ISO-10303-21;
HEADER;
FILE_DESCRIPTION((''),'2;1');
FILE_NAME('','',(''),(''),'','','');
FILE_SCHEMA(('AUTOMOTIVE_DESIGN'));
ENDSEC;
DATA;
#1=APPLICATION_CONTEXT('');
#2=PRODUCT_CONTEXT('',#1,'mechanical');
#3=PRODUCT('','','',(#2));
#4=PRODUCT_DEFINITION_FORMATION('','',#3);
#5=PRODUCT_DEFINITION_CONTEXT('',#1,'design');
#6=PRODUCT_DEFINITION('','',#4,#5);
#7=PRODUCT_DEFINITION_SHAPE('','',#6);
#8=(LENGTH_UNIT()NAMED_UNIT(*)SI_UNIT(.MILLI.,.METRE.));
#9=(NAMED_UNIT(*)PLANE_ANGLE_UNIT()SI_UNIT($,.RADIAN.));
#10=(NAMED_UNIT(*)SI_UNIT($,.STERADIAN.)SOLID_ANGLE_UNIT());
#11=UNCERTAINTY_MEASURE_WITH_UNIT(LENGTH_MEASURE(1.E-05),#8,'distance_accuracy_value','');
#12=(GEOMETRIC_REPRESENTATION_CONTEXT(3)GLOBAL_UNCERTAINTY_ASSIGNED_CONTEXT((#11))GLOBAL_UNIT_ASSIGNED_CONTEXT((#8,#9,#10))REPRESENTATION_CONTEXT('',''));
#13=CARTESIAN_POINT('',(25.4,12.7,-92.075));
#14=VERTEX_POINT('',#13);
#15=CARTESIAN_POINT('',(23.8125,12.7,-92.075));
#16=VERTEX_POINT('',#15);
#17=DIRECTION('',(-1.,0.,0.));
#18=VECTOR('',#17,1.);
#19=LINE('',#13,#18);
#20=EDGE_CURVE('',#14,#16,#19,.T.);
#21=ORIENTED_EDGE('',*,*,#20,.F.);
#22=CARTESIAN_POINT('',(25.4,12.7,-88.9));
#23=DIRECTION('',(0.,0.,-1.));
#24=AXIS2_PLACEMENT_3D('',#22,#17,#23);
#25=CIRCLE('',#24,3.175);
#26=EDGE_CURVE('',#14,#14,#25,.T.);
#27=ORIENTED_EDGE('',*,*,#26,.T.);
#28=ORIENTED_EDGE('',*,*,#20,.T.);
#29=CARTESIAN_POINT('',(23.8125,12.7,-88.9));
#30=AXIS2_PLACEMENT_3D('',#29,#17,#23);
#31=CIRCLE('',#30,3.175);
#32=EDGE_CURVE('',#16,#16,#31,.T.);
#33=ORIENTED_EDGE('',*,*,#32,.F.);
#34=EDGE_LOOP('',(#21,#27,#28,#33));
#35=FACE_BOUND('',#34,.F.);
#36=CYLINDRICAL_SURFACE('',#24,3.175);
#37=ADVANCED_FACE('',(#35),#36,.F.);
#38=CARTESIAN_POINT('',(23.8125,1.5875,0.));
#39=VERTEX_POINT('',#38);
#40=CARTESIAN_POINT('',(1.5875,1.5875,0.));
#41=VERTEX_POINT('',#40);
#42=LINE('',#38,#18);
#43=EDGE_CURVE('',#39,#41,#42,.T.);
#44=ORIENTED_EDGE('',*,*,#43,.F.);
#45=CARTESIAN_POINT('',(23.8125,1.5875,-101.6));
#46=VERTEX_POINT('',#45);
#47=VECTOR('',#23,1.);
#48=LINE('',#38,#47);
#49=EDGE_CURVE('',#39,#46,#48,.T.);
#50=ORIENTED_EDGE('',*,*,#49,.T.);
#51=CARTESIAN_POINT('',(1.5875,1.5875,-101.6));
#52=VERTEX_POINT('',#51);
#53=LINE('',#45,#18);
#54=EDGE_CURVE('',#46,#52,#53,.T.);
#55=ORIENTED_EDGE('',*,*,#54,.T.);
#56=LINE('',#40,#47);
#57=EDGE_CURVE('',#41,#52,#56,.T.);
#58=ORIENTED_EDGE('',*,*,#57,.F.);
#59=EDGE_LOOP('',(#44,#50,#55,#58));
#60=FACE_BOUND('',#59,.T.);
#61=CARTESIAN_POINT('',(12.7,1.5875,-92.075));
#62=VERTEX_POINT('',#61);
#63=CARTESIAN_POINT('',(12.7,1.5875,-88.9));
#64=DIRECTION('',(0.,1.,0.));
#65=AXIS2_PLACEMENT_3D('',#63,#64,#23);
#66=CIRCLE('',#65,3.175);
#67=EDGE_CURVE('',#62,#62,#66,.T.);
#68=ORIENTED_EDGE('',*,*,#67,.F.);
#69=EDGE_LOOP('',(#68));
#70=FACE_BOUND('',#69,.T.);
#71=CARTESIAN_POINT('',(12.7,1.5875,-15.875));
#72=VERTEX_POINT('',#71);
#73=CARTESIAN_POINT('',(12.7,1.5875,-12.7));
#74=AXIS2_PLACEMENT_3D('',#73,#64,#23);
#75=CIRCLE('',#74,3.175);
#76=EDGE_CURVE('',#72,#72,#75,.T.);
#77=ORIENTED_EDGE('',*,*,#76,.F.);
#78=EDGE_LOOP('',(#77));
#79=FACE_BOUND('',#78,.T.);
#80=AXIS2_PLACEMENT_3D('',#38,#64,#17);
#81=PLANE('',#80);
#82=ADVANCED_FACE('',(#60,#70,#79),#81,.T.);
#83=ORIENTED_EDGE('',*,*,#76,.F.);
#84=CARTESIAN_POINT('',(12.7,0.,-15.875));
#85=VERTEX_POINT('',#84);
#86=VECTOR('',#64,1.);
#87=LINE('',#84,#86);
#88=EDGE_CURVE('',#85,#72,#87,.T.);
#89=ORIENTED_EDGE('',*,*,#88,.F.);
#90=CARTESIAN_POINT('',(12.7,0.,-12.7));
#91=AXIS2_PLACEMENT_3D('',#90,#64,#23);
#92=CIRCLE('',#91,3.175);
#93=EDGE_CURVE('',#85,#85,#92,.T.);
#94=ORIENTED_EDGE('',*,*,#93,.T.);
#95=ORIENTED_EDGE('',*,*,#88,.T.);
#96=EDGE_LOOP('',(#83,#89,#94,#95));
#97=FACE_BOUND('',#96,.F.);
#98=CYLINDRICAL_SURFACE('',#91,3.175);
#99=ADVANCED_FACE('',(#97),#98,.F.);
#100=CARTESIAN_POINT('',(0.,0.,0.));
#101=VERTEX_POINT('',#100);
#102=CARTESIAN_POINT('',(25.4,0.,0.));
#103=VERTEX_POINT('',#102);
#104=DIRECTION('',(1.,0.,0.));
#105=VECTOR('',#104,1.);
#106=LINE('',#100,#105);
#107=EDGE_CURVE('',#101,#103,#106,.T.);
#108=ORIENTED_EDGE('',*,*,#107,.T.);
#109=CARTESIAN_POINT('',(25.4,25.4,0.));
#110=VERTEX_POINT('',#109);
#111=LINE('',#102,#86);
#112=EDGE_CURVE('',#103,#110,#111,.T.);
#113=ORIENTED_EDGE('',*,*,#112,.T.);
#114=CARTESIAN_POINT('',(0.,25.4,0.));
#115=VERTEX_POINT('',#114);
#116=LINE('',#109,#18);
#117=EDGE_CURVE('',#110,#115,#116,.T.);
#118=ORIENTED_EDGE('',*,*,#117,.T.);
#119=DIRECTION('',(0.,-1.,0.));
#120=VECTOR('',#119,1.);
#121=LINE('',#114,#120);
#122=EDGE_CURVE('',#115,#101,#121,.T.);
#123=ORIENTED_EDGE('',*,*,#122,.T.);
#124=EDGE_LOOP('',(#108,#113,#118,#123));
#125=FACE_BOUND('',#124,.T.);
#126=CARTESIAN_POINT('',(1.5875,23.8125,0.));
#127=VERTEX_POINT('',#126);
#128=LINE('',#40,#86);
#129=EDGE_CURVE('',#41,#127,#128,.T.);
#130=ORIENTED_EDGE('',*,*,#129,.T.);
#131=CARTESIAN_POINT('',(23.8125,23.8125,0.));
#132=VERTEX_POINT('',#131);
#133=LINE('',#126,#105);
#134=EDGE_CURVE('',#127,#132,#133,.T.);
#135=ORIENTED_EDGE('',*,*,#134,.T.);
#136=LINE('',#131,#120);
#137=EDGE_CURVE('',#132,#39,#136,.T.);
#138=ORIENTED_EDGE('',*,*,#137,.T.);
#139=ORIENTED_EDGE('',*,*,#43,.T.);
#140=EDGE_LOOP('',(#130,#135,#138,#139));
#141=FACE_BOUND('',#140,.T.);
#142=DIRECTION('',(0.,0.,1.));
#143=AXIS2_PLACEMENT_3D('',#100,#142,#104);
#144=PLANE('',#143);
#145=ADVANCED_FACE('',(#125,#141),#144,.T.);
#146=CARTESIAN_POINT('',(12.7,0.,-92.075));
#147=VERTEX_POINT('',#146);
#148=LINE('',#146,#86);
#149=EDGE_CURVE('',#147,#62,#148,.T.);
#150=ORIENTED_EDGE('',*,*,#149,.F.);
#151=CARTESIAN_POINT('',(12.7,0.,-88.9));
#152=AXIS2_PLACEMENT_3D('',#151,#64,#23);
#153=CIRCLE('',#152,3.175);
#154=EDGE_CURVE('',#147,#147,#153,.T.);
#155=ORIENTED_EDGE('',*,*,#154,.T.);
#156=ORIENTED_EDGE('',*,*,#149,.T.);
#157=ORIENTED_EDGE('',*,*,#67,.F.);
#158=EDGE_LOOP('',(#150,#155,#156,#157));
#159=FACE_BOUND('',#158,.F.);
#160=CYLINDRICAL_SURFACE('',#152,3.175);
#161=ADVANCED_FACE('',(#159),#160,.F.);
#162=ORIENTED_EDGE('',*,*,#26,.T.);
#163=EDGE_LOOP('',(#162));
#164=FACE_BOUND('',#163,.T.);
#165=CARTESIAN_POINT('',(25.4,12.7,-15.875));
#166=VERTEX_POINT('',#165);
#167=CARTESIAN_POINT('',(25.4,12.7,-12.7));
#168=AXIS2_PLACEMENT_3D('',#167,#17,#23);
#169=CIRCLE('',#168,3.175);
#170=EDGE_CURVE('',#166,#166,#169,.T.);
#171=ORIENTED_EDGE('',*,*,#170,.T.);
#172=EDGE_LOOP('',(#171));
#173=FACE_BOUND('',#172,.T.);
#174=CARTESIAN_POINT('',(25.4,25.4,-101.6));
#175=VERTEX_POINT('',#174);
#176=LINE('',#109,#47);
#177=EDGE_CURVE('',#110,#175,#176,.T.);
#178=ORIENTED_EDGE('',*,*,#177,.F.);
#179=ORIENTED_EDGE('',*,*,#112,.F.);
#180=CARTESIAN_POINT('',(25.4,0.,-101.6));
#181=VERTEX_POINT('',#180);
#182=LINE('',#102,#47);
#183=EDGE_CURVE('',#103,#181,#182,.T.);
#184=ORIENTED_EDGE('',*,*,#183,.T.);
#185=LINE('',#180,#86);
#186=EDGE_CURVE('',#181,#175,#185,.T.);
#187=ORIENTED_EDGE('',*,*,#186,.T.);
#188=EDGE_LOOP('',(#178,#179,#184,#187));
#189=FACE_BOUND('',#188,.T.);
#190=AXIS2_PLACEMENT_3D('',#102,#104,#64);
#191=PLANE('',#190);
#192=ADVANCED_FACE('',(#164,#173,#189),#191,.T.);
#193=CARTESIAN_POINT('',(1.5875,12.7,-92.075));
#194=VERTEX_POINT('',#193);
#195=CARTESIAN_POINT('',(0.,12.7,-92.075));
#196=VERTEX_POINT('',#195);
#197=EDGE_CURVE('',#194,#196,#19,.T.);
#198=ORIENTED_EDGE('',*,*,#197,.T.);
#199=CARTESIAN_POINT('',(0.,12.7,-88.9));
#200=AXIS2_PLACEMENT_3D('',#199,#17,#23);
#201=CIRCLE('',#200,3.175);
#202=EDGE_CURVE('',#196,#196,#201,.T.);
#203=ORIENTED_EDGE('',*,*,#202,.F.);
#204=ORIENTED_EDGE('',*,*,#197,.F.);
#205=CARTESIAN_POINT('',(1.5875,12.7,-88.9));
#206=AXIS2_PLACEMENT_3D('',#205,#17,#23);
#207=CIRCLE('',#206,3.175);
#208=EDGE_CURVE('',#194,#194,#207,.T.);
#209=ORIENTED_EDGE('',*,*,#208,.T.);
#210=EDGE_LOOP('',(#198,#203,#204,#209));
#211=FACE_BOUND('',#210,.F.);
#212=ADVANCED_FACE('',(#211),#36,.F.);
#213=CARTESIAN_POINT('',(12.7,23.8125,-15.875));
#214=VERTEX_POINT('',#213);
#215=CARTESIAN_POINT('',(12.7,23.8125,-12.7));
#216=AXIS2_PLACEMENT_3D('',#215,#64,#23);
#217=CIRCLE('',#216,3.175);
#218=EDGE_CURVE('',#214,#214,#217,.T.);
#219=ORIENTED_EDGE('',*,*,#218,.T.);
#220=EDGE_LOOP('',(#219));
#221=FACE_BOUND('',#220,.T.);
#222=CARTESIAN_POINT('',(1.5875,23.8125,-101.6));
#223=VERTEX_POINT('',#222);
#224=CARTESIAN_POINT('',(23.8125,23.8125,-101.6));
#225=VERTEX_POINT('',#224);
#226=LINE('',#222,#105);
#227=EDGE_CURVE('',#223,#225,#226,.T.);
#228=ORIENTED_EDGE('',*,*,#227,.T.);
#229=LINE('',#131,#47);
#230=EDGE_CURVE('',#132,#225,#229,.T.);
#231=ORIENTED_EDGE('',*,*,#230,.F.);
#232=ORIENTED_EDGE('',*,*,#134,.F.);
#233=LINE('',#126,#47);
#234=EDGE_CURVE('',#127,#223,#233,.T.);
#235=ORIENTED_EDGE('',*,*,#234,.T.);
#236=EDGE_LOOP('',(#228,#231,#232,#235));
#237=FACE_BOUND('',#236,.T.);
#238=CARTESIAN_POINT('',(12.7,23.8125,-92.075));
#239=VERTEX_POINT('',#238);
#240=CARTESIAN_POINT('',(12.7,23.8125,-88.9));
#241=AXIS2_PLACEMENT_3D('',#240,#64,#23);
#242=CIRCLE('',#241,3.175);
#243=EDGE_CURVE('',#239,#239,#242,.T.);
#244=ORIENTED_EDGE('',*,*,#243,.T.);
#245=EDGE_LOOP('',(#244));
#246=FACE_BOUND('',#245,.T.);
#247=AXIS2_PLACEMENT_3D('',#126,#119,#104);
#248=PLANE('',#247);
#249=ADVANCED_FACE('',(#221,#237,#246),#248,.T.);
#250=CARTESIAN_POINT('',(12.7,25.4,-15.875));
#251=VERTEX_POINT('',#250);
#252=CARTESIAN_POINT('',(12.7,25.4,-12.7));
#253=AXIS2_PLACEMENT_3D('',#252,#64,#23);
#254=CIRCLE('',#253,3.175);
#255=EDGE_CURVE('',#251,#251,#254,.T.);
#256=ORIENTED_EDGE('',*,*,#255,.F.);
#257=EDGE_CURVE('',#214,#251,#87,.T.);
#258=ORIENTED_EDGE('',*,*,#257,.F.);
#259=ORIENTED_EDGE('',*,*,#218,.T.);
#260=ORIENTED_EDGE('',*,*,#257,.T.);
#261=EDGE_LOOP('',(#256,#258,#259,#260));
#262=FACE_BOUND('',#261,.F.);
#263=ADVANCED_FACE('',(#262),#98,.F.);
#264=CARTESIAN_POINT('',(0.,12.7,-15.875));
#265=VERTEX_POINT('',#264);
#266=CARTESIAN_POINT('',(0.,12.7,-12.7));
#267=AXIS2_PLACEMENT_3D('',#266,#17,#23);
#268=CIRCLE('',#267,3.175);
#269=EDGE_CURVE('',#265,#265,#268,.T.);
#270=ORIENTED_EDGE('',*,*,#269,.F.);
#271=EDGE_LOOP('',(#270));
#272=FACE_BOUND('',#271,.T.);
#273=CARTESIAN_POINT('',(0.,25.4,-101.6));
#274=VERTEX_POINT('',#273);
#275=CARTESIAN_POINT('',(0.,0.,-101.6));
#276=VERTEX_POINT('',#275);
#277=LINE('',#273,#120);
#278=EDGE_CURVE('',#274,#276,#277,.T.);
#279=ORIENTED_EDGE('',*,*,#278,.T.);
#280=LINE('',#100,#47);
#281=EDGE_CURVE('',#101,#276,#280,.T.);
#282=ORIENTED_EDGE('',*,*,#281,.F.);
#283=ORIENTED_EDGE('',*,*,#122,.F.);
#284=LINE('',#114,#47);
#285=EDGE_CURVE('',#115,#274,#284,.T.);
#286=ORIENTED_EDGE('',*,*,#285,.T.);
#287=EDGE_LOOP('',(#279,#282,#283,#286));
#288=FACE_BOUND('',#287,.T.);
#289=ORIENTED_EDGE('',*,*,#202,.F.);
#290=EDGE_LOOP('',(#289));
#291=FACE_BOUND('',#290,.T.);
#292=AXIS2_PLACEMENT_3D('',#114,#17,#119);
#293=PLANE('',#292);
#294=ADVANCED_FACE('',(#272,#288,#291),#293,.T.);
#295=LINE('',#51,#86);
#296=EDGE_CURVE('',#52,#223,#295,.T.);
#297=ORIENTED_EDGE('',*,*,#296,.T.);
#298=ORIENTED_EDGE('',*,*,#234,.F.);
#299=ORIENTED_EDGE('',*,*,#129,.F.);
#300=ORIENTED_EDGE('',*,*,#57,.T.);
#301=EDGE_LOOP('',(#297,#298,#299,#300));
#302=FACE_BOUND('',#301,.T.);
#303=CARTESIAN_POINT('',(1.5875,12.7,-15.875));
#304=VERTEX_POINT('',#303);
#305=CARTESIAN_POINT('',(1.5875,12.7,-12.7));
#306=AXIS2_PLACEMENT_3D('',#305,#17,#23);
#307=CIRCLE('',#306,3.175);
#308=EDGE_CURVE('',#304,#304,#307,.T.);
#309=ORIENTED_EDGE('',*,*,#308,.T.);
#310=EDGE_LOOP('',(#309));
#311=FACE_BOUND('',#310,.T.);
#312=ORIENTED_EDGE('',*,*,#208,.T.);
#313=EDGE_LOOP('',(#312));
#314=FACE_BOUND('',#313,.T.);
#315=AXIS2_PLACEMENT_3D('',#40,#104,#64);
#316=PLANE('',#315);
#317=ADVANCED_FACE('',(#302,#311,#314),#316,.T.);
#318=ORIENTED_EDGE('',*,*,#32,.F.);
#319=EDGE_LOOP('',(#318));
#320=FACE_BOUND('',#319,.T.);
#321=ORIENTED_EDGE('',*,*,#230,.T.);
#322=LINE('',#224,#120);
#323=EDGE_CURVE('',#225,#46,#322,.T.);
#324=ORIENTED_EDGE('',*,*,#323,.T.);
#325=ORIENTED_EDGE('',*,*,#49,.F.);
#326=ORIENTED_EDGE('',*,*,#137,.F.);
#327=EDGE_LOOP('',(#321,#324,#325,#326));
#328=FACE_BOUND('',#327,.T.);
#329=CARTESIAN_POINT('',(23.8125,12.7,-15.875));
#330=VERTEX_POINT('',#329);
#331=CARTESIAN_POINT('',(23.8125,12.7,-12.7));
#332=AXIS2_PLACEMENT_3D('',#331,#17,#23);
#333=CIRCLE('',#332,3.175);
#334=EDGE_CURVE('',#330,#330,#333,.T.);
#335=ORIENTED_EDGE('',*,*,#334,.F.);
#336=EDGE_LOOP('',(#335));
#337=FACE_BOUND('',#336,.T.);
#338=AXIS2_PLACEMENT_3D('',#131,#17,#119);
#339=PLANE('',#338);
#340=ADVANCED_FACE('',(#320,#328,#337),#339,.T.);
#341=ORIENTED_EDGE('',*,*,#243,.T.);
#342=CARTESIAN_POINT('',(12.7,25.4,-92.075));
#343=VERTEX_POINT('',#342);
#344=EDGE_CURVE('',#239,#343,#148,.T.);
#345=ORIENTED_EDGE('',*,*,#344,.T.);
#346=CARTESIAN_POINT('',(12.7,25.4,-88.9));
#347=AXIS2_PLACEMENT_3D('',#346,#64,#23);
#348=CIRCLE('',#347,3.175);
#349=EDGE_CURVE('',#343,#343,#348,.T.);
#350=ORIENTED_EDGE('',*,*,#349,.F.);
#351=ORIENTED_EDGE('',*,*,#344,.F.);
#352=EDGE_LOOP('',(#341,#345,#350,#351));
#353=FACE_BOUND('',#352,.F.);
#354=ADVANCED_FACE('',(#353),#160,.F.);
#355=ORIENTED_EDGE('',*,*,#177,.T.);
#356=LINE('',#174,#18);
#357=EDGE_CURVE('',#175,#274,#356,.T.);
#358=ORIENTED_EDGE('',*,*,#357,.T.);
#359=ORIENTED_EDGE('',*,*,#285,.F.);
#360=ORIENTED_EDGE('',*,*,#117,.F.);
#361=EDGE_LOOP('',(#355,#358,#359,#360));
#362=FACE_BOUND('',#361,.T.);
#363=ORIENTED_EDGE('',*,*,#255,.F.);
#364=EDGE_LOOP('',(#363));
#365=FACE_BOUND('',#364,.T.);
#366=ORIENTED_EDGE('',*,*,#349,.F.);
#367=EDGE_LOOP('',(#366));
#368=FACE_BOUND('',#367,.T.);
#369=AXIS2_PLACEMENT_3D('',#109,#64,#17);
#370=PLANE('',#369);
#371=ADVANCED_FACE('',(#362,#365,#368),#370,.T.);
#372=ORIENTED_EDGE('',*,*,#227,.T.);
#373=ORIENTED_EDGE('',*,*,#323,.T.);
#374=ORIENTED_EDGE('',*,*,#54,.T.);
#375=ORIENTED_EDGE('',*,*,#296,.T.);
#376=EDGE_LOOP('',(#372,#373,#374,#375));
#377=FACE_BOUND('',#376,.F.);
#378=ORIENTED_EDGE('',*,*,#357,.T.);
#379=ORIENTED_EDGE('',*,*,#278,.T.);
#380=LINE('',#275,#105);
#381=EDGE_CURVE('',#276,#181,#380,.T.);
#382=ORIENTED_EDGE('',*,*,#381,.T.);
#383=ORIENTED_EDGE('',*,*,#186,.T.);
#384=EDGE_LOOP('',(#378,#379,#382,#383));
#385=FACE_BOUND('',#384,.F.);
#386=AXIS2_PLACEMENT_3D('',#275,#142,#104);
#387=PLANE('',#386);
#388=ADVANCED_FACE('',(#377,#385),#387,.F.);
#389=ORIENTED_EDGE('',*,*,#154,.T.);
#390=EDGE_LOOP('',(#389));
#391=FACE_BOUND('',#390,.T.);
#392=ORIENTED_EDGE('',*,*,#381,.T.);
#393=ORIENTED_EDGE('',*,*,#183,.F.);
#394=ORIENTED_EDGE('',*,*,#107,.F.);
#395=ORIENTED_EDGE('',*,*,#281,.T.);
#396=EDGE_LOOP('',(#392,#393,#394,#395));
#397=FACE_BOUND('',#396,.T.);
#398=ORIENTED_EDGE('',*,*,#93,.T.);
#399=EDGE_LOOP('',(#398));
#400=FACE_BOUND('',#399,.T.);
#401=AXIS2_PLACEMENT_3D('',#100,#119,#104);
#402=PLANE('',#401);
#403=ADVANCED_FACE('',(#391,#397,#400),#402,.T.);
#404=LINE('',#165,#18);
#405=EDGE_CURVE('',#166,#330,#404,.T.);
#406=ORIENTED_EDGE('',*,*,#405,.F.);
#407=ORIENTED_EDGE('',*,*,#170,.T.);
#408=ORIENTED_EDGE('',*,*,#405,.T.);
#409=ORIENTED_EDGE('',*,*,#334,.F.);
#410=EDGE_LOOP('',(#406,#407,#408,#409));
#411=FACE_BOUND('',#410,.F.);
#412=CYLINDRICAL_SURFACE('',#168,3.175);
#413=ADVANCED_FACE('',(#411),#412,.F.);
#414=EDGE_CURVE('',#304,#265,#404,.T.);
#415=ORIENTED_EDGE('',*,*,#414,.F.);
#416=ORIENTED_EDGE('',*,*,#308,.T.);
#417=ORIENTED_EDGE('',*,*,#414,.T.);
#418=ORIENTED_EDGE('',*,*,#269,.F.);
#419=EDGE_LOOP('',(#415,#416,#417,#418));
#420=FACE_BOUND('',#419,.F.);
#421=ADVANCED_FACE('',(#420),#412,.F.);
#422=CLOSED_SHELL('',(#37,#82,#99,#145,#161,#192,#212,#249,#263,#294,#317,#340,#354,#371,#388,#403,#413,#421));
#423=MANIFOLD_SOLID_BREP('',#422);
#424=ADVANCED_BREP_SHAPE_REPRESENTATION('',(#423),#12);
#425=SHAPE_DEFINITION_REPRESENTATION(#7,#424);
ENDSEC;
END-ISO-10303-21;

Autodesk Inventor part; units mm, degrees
ref_plane "YZ Plane" through (0, 0, 0) normal (1, 0, 0) x (0, 1, 0)
ref_plane "XZ Plane" through (0, 0, 0) normal (0, 1, 0) x (-1, 0, 0)
ref_plane "XY Plane" through (0, 0, 0) normal (0, 0, 1) x (1, 0, 0)
sketch "Sketch1" plane through (0, 0, 0) normal (0, 0, 1) x (1, 0, 0)
  line L0 (0, 0) -> (25.4, 0)
  line L1 (25.4, 0) -> (25.4, 25.4)
  line L2 (25.4, 25.4) -> (0, 25.4)
  line L3 (0, 25.4) -> (0, 0)
  line L4 (1.5875, 23.8125) -> (23.8125, 23.8125)
  line L5 (23.8125, 23.8125) -> (23.8125, 1.5875)
  line L6 (23.8125, 1.5875) -> (1.5875, 1.5875)
  line L7 (1.5875, 1.5875) -> (1.5875, 23.8125)
  dimension "d0" = 25.4
  dimension "d1" = 25.4
  dimension "d2" = 1.5875
extrude "Extrusion1" add sketch "Sketch1" against normal blind 101.6
sketch "Sketch2" plane through (25.4, 0, 0) normal (1, 0, 0) x (0, 0, -1)
  line L0 (101.6, 0) -> (101.6, 25.4) projected
  line L1 (0, 0) -> (0, 25.4) projected
  point P0 (12.7, 12.7)
  point P1 (88.9, 12.7)
  dimension "d5" = 12.7
  dimension "d6" = 12.7
sketch "Sketch3" plane through (0, 0, 0) normal (0, -1, 0) x (1, 0, 0)
  line L0 (0, -101.6) -> (25.4, -101.6) projected
  line L1 (0, 0) -> (25.4, 0) projected
  point P0 (12.7, -12.7)
  point P1 (12.7, -88.9)
  dimension "d7" = 12.7
  dimension "d8" = 12.7
hole "Hole1" at (25.4, 12.7, -12.7) at (25.4, 12.7, -88.9) direction (-1, 0, 0) diameter 6.35 depth 25.4 tip angle 118
hole "Hole2" at (12.7, 0, -12.7) at (12.7, 0, -88.9) direction (0, 1, 0) diameter 6.35 depth 25.4 tip angle 118
properties part number "1tube_4_layer1_outside"
